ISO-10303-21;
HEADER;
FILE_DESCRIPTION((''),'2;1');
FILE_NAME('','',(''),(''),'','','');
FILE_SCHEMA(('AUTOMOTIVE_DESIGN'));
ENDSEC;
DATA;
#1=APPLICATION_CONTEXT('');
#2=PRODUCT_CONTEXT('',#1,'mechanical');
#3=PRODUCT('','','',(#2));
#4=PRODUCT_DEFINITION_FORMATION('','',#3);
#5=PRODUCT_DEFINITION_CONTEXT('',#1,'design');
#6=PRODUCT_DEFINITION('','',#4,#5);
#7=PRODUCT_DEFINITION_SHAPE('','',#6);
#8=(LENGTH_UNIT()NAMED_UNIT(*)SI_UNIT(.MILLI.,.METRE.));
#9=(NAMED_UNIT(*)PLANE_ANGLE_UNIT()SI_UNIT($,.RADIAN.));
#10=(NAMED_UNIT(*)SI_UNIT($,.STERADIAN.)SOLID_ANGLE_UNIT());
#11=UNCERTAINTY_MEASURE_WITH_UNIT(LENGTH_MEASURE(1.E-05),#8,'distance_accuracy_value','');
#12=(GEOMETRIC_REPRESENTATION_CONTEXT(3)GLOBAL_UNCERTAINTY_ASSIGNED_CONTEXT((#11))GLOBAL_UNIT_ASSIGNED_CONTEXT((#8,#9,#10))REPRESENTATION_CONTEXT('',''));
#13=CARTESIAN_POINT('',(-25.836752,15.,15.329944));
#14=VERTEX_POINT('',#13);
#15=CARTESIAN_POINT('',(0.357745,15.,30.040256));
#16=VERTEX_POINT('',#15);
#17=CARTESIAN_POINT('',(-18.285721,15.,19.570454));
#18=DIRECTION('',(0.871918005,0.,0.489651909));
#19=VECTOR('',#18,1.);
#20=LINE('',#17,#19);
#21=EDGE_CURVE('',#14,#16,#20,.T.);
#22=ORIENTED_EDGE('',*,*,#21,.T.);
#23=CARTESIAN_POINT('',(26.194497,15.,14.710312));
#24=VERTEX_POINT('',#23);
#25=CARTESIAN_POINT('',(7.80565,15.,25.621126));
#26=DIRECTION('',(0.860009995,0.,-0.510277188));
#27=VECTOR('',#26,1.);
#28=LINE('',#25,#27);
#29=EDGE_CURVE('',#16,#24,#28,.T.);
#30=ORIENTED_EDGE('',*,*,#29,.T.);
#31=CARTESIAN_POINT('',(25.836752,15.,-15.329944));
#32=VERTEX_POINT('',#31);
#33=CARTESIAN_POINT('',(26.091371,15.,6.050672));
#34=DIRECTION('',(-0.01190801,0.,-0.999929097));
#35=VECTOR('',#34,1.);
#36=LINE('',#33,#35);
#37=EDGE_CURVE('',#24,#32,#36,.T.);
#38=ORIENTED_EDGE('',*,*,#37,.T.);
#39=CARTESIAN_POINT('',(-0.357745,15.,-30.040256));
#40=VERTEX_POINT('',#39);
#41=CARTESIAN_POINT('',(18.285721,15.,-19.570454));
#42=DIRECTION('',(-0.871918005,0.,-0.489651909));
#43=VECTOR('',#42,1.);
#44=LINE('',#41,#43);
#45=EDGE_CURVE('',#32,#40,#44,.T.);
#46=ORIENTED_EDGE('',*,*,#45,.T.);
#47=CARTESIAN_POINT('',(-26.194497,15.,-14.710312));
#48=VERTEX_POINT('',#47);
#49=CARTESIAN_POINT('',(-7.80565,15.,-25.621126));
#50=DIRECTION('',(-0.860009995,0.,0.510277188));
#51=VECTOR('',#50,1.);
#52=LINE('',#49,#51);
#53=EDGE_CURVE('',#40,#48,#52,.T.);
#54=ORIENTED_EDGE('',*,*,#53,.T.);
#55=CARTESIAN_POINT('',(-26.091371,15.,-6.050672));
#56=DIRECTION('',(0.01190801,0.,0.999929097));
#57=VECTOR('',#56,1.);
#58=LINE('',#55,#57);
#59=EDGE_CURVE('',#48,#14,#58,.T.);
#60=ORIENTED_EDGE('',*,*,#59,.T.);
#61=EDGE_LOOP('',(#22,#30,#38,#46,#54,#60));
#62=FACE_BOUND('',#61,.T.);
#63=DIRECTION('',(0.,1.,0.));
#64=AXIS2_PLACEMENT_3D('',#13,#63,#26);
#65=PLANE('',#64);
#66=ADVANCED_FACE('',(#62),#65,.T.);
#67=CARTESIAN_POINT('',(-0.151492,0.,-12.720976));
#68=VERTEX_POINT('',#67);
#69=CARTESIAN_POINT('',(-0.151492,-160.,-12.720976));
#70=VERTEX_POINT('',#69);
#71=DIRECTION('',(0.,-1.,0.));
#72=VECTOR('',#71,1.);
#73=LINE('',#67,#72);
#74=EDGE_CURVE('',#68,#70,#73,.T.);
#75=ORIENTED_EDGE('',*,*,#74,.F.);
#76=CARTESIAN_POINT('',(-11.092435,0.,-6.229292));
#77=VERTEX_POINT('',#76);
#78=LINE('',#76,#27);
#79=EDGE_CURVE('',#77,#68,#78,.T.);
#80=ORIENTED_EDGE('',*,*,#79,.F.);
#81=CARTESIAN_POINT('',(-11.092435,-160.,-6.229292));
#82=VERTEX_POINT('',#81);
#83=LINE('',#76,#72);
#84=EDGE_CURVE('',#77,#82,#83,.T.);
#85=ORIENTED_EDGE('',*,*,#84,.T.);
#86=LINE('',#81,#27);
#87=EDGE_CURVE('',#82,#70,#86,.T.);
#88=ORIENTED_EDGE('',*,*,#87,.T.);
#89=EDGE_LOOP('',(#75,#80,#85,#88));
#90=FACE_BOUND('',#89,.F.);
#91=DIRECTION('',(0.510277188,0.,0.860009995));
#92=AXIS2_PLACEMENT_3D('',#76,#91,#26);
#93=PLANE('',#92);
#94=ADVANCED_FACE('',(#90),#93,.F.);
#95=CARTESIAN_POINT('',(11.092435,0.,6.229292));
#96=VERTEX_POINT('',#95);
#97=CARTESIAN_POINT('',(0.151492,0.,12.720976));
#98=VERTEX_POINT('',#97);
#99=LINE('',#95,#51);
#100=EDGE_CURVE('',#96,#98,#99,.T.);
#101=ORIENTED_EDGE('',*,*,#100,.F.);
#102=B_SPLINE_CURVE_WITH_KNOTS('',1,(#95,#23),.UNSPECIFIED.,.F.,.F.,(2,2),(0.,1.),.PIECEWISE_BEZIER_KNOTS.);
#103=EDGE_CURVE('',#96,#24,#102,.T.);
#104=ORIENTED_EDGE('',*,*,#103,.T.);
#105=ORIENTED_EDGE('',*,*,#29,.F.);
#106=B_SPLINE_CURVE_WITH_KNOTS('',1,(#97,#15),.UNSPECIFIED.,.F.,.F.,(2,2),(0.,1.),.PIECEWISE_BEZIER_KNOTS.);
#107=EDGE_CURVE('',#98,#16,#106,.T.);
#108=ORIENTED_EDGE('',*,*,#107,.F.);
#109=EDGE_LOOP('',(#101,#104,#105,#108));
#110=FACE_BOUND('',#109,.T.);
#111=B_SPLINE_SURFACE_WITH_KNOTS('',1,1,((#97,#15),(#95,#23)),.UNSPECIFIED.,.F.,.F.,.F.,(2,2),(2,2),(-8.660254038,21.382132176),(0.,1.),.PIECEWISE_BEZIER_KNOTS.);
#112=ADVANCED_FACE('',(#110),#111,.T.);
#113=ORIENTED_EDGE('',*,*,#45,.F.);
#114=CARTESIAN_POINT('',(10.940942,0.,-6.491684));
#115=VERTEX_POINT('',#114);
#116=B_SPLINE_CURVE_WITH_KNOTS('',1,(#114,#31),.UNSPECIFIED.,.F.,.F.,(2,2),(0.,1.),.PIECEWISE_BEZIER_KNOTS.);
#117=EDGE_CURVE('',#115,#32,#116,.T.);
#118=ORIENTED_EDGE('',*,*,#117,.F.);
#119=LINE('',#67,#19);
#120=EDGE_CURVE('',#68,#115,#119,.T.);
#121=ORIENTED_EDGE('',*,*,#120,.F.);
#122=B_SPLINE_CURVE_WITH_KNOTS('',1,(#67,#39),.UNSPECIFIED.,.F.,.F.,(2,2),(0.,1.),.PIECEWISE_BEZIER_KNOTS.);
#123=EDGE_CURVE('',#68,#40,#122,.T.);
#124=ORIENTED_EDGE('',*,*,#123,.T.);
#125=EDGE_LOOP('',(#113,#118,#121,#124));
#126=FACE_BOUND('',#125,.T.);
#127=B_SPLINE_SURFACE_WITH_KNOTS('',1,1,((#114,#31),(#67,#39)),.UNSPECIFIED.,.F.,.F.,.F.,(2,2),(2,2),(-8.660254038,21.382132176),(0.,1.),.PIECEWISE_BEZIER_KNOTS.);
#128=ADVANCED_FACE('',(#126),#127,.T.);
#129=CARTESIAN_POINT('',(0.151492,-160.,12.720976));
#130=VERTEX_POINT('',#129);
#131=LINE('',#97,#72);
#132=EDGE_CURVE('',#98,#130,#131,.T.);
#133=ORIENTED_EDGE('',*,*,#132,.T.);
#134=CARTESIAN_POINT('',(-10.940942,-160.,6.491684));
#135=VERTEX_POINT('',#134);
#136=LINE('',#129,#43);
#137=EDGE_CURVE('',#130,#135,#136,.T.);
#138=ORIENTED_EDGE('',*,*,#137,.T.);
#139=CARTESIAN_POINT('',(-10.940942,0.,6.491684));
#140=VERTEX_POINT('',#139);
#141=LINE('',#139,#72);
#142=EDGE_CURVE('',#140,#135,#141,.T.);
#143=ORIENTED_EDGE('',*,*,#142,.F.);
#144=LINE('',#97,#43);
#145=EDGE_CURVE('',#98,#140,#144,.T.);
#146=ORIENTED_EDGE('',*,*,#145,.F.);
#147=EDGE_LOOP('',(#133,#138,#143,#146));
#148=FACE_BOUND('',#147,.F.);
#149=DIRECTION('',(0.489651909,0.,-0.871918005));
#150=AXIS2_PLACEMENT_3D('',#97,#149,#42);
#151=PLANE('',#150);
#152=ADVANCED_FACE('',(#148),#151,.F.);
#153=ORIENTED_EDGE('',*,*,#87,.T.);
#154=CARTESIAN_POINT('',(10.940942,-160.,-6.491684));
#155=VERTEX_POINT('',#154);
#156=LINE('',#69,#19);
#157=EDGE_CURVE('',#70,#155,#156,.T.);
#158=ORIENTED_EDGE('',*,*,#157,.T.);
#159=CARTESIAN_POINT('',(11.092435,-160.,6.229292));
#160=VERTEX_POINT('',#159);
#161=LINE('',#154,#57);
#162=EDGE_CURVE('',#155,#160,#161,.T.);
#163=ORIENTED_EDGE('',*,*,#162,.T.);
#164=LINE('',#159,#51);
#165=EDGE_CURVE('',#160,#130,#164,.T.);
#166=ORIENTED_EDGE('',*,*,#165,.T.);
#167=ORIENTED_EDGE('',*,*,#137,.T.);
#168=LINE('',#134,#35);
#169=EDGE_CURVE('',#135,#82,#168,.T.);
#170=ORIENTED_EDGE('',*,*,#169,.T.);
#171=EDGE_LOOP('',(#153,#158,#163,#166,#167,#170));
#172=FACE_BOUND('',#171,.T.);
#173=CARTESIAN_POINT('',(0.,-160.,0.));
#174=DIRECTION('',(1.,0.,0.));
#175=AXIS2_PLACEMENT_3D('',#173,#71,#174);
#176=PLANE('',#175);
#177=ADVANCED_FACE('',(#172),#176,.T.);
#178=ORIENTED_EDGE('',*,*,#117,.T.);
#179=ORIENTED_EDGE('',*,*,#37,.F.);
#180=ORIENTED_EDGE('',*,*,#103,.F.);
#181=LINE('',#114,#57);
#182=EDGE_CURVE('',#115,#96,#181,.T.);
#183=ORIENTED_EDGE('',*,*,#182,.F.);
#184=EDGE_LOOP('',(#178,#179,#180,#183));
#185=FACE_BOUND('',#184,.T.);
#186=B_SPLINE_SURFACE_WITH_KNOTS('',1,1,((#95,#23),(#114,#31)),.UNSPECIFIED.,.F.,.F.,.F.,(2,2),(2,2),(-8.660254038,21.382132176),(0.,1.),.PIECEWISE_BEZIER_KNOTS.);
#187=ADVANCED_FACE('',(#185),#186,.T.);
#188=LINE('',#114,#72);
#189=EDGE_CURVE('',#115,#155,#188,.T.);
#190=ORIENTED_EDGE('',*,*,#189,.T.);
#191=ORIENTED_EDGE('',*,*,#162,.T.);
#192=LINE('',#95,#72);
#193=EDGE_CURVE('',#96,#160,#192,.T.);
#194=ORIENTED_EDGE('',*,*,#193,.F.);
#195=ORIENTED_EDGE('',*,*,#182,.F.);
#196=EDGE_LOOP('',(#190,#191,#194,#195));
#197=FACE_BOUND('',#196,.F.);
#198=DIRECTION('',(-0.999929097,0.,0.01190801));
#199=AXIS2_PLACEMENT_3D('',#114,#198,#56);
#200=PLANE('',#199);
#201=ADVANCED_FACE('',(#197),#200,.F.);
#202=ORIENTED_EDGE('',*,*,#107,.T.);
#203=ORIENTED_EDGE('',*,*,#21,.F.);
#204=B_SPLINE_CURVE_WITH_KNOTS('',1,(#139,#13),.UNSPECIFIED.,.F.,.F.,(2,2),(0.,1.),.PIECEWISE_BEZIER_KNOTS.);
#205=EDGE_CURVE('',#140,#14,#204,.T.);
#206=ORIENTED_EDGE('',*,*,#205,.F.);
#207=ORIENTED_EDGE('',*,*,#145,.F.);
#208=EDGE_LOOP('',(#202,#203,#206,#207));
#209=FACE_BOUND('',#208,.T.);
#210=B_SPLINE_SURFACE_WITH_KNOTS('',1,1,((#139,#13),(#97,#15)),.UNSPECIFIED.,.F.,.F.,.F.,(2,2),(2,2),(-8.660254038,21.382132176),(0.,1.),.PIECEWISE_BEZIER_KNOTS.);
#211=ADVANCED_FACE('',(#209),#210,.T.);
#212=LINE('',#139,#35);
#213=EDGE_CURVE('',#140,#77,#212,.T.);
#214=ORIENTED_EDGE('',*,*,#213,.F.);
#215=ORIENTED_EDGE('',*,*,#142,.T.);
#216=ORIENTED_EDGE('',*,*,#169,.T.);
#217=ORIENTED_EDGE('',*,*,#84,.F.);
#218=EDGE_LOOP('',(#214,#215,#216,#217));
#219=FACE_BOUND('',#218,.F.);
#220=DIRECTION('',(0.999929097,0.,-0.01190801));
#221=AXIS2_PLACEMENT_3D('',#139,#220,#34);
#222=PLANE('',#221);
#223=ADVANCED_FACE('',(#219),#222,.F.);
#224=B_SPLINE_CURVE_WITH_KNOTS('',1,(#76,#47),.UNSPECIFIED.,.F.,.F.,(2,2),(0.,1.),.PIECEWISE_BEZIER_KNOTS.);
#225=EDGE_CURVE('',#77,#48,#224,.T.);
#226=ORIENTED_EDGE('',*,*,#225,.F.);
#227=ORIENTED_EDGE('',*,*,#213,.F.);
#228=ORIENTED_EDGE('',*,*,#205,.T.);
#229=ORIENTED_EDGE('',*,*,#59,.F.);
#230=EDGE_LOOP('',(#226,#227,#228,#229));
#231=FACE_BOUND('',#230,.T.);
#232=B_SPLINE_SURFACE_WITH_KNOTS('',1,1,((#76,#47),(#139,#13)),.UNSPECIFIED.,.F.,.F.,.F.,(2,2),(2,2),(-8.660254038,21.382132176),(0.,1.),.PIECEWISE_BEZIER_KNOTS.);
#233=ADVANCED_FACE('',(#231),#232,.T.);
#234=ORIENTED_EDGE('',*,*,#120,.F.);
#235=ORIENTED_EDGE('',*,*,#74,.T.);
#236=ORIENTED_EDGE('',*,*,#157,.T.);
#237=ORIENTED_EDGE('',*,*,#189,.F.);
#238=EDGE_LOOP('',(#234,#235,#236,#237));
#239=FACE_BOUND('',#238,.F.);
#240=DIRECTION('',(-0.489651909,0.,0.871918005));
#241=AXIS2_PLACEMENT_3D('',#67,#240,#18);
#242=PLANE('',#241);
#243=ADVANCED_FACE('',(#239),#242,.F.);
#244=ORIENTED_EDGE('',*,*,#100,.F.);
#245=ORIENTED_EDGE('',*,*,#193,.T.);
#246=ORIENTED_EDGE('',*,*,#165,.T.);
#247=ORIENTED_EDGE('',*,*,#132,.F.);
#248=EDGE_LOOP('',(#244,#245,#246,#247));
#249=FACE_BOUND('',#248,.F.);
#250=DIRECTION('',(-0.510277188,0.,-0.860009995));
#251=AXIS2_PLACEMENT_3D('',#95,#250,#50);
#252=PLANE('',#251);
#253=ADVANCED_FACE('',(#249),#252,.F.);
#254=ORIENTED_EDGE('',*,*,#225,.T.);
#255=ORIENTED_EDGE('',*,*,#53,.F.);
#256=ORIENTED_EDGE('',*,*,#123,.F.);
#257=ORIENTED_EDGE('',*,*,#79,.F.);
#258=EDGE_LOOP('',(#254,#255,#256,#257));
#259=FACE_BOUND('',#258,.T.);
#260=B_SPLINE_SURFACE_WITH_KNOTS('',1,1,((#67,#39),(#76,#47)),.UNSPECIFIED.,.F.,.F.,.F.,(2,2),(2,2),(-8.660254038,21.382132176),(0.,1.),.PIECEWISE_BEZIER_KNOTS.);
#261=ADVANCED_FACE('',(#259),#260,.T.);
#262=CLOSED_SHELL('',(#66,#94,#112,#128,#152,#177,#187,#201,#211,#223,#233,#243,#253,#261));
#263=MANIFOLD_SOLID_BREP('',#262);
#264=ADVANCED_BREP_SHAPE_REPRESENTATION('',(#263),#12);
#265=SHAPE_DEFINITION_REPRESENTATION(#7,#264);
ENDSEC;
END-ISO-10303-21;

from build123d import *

# Parameters (mm, degrees)
F1_DEPTH = 160
F2_DEPTH = 15
F2_TAPER = -45


with BuildPart() as f1:
    # F0 (on Front) → F1 (new body)
    with BuildSketch(Plane.XZ):
        Polygon((-11.0924346075, -6.2292919213), (-0.1514922523, -12.7209761205), (10.9409423552, -6.4916841992), (11.0924346075, 6.2292919213), (0.1514922523, 12.7209761205), (-10.9409423552, 6.4916841992), align=None)
    extrude(amount=F1_DEPTH)

    # F1_face (on face) → F2 (join)
    with BuildSketch(Plane(origin=(0, 0, 0), x_dir=(1, 0, 0), z_dir=(0, 1, 0))):
        Polygon((-10.9409423552, -6.4916841992), (0.1514922523, -12.7209761205), (11.0924346075, -6.2292919213), (10.9409423552, 6.4916841992), (-0.1514922523, 12.7209761205), (-11.0924346075, 6.2292919213), align=None)
    extrude(amount=F2_DEPTH, taper=F2_TAPER)


solid = f1.part
